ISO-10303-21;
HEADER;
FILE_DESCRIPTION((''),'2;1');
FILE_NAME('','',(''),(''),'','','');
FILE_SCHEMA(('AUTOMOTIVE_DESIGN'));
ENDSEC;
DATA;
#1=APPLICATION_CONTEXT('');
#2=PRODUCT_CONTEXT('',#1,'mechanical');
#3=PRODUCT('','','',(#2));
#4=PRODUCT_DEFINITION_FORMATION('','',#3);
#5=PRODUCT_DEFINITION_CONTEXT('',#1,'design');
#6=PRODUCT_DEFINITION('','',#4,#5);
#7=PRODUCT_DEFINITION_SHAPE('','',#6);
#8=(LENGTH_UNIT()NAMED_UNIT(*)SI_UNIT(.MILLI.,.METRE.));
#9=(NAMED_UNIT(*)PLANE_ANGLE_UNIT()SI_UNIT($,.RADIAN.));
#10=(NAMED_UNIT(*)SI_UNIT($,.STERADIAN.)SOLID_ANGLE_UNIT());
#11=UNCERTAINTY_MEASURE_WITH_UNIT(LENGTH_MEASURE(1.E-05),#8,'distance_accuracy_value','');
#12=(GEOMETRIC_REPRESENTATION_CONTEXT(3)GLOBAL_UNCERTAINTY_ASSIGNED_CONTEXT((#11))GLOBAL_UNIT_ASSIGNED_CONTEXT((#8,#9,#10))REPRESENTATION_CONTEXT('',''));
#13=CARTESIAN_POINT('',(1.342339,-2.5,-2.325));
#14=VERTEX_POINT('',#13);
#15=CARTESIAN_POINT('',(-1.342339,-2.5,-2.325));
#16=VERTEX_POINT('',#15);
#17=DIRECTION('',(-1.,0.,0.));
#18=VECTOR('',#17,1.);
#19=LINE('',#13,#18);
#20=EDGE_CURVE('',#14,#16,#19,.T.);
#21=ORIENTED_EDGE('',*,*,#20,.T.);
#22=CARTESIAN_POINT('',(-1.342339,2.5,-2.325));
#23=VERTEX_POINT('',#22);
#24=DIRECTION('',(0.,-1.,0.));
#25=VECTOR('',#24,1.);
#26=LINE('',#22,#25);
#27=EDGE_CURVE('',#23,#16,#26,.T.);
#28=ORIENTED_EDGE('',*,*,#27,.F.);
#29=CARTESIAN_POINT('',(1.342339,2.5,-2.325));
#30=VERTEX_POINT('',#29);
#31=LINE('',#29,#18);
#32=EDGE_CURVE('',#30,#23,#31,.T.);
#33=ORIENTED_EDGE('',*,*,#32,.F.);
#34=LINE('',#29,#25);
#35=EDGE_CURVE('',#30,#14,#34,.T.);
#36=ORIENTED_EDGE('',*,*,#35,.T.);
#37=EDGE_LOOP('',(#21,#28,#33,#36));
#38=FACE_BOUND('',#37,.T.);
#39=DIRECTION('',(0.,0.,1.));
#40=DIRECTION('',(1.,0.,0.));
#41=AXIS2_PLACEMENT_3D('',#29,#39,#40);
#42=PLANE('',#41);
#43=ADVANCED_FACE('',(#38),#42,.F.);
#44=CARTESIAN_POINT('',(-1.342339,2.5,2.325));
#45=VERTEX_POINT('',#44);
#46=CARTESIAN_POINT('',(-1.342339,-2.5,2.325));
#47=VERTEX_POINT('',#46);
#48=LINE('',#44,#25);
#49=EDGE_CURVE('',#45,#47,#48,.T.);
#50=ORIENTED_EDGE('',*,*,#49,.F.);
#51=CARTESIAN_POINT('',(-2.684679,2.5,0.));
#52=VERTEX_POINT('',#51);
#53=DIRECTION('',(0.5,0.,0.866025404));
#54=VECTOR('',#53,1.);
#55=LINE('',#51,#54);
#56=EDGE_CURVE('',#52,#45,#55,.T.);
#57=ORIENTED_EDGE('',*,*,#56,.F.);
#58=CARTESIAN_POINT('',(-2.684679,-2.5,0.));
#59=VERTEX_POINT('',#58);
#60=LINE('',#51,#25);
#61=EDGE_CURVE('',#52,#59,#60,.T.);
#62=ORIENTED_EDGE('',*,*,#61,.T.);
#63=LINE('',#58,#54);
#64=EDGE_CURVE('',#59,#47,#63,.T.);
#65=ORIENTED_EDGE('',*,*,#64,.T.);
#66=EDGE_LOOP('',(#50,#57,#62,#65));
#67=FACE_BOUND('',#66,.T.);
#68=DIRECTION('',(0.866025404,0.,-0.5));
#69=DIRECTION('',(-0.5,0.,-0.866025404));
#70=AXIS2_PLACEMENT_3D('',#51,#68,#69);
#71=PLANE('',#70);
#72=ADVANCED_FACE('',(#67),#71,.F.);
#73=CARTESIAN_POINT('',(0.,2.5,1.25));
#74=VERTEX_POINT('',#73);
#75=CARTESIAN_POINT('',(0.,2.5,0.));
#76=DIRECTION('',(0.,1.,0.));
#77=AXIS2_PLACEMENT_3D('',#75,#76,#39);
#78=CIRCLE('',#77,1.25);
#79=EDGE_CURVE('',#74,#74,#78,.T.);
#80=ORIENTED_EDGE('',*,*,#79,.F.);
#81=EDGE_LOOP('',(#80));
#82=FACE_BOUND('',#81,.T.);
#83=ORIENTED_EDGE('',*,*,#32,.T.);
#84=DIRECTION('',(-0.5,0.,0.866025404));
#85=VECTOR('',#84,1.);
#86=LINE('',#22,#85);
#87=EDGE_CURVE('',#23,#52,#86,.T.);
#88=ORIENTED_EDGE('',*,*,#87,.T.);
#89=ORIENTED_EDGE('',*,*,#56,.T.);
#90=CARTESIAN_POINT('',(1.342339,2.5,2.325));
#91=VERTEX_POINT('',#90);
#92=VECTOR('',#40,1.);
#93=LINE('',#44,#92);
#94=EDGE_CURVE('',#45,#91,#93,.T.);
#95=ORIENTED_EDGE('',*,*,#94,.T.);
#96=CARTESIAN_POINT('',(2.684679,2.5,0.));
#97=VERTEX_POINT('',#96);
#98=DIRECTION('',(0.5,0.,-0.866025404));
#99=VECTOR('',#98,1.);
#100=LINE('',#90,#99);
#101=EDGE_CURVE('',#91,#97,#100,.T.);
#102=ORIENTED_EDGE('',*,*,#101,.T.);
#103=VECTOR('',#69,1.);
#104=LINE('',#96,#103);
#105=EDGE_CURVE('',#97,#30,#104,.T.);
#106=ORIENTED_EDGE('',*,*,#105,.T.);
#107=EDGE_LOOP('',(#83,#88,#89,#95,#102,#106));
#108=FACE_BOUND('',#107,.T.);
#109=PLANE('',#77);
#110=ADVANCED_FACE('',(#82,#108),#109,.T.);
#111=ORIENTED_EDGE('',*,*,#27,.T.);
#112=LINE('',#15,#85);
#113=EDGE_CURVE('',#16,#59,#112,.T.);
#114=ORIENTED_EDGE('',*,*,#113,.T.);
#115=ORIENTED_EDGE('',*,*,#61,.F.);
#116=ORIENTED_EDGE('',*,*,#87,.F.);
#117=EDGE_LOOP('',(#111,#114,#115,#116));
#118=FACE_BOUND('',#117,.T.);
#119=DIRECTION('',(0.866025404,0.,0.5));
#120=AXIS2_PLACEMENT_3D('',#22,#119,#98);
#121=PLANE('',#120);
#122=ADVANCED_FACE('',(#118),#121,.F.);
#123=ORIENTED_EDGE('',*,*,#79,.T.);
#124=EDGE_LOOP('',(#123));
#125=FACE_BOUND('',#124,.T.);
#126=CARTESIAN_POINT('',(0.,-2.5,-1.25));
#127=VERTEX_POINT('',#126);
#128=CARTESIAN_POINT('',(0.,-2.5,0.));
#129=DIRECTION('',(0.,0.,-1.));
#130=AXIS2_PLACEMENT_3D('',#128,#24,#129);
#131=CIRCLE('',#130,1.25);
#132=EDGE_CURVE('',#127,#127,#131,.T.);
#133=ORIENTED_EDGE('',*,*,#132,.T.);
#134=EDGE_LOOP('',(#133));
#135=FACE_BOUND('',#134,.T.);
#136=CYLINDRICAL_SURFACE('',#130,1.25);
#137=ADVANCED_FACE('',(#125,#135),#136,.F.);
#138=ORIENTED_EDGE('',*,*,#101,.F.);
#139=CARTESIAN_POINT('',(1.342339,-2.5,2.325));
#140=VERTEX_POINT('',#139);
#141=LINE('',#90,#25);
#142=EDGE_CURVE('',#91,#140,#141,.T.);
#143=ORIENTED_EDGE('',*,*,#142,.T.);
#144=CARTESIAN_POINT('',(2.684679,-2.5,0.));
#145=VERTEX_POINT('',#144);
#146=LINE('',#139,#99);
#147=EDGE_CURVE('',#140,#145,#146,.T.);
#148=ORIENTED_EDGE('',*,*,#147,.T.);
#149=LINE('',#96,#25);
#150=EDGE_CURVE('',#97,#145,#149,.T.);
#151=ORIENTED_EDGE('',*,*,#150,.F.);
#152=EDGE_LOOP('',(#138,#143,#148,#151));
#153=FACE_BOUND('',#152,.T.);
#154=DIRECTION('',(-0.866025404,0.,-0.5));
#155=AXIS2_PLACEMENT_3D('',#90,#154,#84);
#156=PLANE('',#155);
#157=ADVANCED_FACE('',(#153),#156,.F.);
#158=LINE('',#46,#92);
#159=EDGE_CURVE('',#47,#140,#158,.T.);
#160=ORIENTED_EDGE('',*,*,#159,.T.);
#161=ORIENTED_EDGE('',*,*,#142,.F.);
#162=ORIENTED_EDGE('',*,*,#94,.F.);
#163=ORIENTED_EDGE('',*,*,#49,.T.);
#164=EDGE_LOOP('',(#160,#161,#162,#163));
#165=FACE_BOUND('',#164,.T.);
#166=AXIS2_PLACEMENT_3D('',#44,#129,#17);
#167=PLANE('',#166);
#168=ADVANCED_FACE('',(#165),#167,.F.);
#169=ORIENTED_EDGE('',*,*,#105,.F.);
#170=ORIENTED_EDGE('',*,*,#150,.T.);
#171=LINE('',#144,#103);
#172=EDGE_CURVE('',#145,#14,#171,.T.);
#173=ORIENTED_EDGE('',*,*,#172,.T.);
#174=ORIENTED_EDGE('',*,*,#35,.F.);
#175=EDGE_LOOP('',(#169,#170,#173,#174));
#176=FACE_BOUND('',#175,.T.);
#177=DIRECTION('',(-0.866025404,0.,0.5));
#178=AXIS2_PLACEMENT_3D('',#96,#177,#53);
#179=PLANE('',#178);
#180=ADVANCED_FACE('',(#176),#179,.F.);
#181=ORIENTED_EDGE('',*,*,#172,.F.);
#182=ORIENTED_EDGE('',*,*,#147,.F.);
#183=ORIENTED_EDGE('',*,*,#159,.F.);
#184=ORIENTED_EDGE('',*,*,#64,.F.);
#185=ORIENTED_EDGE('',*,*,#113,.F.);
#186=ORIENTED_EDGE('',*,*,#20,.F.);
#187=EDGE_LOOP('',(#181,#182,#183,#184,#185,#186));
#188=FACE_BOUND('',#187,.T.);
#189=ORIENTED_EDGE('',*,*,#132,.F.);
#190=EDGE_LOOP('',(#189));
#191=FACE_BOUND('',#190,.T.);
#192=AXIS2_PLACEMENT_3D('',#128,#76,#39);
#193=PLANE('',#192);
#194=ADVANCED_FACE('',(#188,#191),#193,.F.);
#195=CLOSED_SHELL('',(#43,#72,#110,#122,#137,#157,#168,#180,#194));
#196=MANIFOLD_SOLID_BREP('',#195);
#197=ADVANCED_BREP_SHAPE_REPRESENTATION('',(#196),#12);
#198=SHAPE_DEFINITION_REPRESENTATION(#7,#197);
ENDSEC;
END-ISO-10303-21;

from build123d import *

# Parameters (mm, degrees)
EXTRUDE_1_DEPTH = 2.5


with BuildPart() as part:
    # 草图1 → 凸台-拉伸1 (new body, symmetric)
    with BuildSketch(Plane(origin=(0, 0, 0), x_dir=(1, 0, 0), z_dir=(0, 1, 0))):
        Polygon((2.684678752, 0), (1.342339376, 2.325), (-1.342339376, 2.325), (-2.684678752, 0), (-1.342339376, -2.325), (1.342339376, -2.325), align=None)
    extrude(amount=EXTRUDE_1_DEPTH, both=True)

    # 草图2 → M3 螺纹孔1 (revolve, cut)
    with BuildSketch(Plane(origin=(0, -2.5, 0), x_dir=(0, 0, -1), z_dir=(1, 0, 0))):
        Polygon((0, 0), (0, 8.251075774), (1.25, 7.5), (1.25, 0), align=None)
    hole_wizard_m3_1 = revolve(axis=Axis((0, -8.85, 0), (0, 1, 0)), mode=Mode.SUBTRACT)

    # 镜向1: M3 螺纹孔1 across plane
    add(hole_wizard_m3_1.mirror(Plane.ZX), mode=Mode.SUBTRACT)


solid = part.part
